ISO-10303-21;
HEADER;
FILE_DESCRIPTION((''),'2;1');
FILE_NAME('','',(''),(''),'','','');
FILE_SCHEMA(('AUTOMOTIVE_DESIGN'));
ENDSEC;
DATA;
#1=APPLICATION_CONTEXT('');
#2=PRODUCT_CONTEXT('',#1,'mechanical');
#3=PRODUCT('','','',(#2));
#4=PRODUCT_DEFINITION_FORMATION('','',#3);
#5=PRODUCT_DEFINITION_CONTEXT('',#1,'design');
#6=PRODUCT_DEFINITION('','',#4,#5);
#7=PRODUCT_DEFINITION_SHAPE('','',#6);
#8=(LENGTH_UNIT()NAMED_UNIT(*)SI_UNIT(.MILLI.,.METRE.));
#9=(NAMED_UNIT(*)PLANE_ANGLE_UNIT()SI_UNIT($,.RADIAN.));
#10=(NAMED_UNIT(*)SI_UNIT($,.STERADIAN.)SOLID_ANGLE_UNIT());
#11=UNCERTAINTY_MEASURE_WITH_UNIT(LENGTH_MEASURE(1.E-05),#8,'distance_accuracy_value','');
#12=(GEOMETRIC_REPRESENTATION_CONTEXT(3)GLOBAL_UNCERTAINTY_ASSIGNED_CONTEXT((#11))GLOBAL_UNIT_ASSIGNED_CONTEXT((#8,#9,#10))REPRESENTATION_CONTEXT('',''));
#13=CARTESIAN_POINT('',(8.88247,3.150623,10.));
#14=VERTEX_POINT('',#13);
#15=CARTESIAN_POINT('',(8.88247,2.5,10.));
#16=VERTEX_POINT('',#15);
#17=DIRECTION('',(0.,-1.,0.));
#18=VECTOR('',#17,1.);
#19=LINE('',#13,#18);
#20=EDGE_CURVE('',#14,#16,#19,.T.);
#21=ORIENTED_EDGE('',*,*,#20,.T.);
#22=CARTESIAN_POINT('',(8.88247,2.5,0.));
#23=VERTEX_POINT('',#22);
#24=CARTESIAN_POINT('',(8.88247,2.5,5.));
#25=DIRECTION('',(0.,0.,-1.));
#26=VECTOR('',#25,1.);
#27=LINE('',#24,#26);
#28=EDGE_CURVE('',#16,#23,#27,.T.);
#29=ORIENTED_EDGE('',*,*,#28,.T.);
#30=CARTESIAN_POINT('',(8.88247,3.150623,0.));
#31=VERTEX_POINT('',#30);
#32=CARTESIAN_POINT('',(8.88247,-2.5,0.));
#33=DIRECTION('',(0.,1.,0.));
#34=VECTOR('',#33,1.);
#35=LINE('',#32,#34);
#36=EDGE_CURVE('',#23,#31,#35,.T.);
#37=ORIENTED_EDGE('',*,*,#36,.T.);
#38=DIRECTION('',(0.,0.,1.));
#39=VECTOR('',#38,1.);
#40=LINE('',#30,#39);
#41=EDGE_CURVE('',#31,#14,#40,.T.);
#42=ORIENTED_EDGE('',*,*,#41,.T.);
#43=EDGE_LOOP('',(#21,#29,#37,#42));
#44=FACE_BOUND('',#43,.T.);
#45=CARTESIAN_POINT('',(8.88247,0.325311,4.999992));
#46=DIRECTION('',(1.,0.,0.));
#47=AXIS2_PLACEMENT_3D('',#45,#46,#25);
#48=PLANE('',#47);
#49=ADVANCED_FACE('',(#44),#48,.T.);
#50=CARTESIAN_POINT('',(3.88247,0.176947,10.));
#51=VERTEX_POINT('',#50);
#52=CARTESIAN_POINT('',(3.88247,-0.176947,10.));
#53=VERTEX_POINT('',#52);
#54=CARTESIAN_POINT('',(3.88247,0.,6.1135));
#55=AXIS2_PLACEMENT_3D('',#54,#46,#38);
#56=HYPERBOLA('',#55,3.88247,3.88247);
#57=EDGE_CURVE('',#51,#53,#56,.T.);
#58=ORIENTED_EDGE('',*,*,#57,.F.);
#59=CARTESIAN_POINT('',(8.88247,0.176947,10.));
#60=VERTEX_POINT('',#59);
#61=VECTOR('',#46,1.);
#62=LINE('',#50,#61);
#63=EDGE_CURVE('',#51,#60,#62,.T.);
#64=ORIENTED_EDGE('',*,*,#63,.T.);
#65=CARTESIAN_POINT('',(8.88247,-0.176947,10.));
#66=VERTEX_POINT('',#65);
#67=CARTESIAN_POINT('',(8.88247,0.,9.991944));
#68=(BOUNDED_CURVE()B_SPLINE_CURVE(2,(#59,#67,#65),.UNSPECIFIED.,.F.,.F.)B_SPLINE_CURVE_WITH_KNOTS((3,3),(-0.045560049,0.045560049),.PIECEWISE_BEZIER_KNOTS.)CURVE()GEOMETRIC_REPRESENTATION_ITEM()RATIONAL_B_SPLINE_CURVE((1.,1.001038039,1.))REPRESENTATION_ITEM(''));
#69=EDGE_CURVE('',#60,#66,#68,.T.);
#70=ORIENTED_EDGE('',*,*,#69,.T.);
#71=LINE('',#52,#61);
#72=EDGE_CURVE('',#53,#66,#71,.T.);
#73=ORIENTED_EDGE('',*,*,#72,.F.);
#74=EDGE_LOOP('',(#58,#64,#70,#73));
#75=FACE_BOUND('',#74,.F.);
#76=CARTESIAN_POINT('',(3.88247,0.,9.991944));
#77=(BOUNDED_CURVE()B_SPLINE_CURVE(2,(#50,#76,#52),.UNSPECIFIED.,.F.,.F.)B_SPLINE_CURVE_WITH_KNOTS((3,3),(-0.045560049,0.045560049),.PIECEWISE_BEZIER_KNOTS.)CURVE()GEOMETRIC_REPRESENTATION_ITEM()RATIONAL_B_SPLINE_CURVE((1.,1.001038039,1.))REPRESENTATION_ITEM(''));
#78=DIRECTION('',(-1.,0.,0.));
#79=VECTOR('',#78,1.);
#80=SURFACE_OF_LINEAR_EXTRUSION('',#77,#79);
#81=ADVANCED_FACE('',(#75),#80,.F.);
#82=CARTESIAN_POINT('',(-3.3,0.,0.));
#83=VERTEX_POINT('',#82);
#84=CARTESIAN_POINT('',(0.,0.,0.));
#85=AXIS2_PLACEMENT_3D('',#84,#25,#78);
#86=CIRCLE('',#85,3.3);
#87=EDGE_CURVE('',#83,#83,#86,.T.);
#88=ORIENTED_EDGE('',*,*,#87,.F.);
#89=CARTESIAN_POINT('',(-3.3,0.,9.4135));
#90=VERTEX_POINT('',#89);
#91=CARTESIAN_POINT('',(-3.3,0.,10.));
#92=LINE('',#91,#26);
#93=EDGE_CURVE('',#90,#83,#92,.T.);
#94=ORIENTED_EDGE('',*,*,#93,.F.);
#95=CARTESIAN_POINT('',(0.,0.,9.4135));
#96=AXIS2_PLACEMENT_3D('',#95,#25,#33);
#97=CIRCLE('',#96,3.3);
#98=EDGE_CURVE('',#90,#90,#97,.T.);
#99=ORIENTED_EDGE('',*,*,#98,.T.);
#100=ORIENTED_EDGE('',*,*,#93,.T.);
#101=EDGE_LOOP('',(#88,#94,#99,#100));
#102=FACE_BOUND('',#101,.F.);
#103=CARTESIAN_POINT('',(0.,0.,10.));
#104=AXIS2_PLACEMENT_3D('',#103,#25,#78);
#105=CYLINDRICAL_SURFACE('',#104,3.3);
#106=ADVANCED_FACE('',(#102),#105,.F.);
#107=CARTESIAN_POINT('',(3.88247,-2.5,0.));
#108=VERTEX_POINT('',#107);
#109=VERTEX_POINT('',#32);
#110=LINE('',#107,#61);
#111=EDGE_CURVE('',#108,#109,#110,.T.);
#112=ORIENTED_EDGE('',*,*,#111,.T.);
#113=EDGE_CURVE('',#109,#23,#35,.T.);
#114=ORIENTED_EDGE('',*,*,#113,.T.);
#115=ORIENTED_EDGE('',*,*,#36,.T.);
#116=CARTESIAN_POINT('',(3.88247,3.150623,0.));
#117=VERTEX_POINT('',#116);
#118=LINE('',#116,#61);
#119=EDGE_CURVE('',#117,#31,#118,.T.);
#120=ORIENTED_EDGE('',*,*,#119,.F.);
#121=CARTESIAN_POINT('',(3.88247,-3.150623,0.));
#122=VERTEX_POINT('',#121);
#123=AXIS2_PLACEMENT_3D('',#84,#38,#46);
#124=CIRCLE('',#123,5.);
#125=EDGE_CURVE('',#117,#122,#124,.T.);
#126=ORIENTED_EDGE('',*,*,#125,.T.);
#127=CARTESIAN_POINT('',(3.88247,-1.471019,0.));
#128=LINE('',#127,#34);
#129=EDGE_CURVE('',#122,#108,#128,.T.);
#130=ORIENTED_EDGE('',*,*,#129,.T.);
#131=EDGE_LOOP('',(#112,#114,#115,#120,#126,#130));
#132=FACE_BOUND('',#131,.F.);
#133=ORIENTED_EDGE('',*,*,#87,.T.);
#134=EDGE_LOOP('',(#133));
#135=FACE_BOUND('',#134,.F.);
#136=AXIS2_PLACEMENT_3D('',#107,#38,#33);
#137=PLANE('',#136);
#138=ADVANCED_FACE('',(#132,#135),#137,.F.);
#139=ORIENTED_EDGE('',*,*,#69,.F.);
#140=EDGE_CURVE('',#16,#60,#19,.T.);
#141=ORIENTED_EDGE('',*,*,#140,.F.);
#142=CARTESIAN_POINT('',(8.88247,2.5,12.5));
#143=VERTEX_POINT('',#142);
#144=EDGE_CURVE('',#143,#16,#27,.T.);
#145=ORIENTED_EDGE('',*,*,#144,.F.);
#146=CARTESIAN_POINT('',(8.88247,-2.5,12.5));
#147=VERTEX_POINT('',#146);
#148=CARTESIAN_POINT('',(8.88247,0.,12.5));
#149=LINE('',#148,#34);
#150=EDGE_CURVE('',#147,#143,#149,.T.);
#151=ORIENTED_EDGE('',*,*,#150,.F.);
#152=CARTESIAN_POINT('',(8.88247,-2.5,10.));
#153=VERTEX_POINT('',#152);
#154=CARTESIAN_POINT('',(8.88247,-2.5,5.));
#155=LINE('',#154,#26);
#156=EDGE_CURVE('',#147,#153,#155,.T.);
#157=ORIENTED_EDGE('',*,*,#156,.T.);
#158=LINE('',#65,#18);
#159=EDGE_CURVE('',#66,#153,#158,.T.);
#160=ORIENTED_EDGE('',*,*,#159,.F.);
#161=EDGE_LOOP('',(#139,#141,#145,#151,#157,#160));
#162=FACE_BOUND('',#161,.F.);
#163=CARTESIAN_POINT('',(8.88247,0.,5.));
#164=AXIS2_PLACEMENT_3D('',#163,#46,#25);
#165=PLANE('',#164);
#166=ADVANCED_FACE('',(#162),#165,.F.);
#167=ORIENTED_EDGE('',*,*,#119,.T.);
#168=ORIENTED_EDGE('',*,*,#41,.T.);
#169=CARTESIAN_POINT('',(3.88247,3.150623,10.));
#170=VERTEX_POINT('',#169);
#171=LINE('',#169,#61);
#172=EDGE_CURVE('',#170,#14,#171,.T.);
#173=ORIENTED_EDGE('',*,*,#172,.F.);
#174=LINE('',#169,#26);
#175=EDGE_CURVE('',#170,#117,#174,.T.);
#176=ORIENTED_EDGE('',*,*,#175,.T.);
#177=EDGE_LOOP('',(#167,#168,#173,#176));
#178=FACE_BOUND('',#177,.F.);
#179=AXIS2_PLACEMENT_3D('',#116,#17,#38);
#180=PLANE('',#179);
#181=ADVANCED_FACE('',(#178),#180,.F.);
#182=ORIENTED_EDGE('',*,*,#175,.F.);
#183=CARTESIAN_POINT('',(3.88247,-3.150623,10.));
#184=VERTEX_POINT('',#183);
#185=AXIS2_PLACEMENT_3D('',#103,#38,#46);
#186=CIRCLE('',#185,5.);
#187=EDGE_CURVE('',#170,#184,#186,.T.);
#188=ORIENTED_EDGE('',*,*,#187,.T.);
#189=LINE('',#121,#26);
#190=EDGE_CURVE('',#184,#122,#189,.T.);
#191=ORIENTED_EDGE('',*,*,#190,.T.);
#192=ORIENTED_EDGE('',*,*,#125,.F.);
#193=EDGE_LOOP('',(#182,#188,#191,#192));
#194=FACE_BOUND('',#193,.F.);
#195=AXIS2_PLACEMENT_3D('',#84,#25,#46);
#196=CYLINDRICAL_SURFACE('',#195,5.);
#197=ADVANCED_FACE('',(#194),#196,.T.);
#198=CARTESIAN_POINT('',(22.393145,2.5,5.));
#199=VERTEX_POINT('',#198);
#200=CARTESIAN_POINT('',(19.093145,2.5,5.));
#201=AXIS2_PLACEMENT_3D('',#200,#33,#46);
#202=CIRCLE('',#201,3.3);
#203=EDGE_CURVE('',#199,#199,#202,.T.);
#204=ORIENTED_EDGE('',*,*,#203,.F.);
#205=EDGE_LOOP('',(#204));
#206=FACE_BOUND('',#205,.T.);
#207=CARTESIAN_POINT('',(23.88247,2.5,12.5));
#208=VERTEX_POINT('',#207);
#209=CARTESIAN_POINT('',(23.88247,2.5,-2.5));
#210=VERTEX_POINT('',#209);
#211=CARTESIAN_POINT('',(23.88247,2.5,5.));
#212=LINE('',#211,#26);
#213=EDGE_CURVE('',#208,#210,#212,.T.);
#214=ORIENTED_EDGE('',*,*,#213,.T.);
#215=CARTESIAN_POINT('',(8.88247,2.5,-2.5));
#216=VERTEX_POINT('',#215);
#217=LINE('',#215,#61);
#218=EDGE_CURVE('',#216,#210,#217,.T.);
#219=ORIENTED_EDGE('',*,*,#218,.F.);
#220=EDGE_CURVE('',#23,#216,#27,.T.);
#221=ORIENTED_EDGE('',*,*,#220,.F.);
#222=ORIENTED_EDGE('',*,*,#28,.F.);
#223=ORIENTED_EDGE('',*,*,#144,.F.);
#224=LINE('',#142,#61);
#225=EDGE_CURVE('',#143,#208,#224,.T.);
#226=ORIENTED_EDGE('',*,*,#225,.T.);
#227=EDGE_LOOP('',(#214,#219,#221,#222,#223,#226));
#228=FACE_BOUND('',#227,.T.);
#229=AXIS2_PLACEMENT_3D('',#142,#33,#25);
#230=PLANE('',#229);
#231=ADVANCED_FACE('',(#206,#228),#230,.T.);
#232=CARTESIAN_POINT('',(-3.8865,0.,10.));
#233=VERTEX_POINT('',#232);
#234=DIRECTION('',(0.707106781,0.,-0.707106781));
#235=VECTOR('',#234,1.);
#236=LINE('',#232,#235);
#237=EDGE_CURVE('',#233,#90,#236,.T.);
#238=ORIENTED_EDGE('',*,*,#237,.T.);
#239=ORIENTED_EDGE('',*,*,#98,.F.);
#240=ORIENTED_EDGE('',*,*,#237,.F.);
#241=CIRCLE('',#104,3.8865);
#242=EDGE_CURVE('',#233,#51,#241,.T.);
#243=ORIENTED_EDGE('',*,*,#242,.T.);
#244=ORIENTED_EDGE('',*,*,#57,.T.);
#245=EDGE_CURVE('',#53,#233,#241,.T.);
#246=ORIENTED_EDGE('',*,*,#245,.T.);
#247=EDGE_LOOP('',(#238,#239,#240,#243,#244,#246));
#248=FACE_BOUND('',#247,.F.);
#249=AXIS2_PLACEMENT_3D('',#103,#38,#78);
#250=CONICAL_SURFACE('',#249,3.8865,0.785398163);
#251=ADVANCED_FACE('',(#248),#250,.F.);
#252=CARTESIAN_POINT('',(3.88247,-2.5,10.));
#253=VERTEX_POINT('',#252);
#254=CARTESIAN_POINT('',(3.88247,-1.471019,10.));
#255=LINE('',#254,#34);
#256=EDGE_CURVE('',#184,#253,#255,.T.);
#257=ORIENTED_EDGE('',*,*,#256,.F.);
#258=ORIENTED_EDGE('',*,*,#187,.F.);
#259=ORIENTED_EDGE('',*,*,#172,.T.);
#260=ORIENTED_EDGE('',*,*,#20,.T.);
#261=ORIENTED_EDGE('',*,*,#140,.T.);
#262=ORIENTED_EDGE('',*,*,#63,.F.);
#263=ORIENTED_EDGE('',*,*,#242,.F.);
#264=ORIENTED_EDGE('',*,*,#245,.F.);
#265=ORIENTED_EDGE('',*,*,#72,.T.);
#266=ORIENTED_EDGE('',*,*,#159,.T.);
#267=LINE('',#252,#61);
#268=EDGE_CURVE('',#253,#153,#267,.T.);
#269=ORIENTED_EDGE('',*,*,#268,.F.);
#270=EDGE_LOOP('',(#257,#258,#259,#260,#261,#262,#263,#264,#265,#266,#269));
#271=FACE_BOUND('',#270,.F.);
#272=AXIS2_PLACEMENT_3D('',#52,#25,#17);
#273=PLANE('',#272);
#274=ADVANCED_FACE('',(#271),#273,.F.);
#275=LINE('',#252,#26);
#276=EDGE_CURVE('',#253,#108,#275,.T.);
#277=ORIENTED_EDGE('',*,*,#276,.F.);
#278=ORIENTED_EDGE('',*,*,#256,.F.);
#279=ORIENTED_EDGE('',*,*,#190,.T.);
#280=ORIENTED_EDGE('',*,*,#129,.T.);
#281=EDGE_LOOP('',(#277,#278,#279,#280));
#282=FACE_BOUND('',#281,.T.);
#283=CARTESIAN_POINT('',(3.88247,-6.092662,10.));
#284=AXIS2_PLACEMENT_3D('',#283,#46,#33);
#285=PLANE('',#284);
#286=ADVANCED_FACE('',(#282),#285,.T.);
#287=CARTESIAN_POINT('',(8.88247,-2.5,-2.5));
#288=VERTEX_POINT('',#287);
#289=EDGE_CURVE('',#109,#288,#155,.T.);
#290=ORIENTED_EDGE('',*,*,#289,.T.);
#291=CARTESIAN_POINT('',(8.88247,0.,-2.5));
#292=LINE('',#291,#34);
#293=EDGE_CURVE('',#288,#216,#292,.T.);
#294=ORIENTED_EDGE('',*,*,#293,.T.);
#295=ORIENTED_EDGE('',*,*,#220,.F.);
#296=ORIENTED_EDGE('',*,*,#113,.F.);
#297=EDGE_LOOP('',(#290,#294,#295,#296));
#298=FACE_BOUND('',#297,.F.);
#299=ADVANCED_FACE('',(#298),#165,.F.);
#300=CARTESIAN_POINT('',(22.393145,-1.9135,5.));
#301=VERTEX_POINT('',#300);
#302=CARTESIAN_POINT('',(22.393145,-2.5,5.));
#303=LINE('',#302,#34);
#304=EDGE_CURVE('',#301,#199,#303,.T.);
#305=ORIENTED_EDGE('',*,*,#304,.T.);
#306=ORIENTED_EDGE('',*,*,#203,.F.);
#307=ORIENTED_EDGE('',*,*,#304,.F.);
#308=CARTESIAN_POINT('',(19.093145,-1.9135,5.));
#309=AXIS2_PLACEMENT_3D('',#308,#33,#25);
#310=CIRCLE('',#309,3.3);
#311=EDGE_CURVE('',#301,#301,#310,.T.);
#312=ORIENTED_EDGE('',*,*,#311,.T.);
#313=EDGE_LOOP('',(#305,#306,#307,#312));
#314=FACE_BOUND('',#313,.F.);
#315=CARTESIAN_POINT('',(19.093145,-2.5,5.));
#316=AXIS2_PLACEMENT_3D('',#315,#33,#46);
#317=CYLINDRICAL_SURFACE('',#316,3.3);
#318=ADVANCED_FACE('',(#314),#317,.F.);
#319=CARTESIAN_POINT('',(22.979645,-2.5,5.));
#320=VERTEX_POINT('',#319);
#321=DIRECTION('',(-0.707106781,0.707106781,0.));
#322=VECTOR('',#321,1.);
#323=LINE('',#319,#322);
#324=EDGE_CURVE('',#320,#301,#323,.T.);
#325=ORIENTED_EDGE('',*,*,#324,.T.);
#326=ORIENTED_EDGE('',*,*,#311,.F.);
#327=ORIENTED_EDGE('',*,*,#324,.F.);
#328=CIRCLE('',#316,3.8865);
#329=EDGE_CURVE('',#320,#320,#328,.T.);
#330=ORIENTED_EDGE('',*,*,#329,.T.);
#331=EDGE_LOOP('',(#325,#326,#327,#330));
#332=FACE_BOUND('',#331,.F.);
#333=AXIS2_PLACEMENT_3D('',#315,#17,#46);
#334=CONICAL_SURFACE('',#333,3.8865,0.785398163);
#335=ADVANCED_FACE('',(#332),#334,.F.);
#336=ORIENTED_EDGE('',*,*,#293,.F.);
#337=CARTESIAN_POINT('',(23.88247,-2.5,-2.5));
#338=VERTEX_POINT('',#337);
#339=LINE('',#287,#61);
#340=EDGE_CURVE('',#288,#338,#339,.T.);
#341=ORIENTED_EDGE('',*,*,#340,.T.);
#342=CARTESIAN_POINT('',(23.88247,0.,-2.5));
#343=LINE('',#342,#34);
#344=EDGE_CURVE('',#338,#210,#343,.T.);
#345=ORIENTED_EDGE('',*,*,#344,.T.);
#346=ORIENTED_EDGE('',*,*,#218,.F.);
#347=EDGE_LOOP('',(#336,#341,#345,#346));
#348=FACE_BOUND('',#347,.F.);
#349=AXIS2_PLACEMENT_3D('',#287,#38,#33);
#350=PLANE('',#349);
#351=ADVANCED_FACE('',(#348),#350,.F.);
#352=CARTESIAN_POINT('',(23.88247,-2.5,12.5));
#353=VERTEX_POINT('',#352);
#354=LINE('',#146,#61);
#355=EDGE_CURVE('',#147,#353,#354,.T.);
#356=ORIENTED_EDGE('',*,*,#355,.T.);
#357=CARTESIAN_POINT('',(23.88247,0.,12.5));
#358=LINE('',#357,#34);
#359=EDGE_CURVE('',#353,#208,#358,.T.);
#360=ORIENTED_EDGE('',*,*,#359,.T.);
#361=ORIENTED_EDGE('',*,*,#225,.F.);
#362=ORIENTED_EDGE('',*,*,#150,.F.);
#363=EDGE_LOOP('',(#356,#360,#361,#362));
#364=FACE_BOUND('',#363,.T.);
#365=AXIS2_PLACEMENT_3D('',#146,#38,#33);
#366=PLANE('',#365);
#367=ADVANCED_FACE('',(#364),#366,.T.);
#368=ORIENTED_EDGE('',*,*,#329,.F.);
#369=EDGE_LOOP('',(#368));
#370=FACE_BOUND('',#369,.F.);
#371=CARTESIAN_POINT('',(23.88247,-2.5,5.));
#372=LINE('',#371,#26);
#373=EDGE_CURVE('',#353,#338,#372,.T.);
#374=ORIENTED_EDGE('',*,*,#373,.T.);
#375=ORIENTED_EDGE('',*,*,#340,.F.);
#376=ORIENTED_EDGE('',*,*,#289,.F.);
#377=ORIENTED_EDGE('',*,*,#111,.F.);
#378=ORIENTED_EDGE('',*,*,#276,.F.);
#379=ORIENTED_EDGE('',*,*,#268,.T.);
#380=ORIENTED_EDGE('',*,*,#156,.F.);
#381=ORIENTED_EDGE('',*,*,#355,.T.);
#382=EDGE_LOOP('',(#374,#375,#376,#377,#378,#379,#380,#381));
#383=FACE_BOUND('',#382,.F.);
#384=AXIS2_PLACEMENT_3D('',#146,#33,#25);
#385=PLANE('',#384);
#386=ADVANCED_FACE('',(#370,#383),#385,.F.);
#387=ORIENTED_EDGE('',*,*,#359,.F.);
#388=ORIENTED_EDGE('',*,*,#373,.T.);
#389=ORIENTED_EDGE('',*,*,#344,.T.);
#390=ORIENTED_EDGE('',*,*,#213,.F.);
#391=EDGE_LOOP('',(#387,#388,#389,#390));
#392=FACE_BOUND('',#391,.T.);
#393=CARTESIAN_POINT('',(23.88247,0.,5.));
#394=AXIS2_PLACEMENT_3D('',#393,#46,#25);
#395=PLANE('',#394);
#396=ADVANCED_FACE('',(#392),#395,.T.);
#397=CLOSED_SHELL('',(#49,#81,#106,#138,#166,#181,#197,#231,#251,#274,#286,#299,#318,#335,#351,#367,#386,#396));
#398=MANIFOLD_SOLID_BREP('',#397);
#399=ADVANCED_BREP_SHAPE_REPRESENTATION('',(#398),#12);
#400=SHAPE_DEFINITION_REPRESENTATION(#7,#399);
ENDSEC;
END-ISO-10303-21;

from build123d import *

# Parameters (mm, degrees)
SKETCH_1_R                      = 5
EXTRUDE_1_DEPTH                 = 10
HOLE_WIZARD_G1_16_1_D           = 6.6
HOLE_WIZARD_G1_16_1_DEPTH       = 50
HOLE_WIZARD_G1_16_1_CSINK_D     = 7.773
HOLE_WIZARD_G1_16_1_CSINK_ANGLE = 90
HOLE_WIZARD_G1_16_1_TIP         = 1.982840043
SKETCH_4_W                      = 1.792487356
SKETCH_4_H                      = 9.243284927
CUT_EXTRUDE_1_DEPTH             = 10
EXTRUDE_2_DEPTH                 = 5
SKETCH_6_W                      = 15
SKETCH_6_H                      = 5
EXTRUDE_3_DEPTH                 = 15
HOLE_WIZARD_G1_16_2_D           = 6.6
HOLE_WIZARD_G1_16_2_DEPTH       = 50
HOLE_WIZARD_G1_16_2_CSINK_D     = 7.773
HOLE_WIZARD_G1_16_2_CSINK_ANGLE = 90
HOLE_WIZARD_G1_16_2_TIP         = 1.982840043


with BuildPart() as part:
    # 草图1 → 凸台-拉伸1 (new body)
    with BuildSketch(Plane.XY):
        Circle(SKETCH_1_R)
    extrude(amount=EXTRUDE_1_DEPTH)

    # G1/16 螺纹孔1
    with Locations(Plane.XY.offset(10)):
        with Locations((0, 0)):
            CounterSinkHole(HOLE_WIZARD_G1_16_1_D / 2, HOLE_WIZARD_G1_16_1_CSINK_D / 2, depth=HOLE_WIZARD_G1_16_1_DEPTH, counter_sink_angle=HOLE_WIZARD_G1_16_1_CSINK_ANGLE)
            with Locations((0, 0, -(HOLE_WIZARD_G1_16_1_DEPTH + HOLE_WIZARD_G1_16_1_TIP / 2))):  # 118° drill point
                Cone(0, HOLE_WIZARD_G1_16_1_D / 2, HOLE_WIZARD_G1_16_1_TIP, mode=Mode.SUBTRACT)

    # 草图4 → 切除-拉伸1 (cut)
    with BuildSketch(Plane.XY.offset(10)):
        with Locations((4.778713525, -1.471019051)):
            Rectangle(SKETCH_4_W, SKETCH_4_H)
    extrude(amount=-CUT_EXTRUDE_1_DEPTH, mode=Mode.SUBTRACT)

    # 草图5 → 凸台-拉伸2 (add)
    with BuildSketch(Plane(origin=(3.882469847, 0, 0), x_dir=(0, 0, -1), z_dir=(1, 0, 0))):
        with BuildLine():
            Line((-10, -0.176946718), (-10, -2.5))
            Line((-10, -2.5), (0, -2.5))
            Line((0, -2.5), (0, 3.150623413))
            Line((0, 3.150623413), (-10, 3.150623413))
            Line((-10, 3.150623413), (-10, 0.176946718))
            add(Edge.make_bspline(
                [(-10, 0.176946718), (-9.991943872, 0), (-10, -0.176946718)],
                knots=[-0.045560049, -0.045560049, -0.045560049, 0.045560049, 0.045560049, 0.045560049], degree=2, weights=[1, 1.001038039, 1]))
        make_face()
    extrude(amount=EXTRUDE_2_DEPTH)

    # 草图6 → 凸台-拉伸3 (add)
    with BuildSketch(Plane(origin=(8.882469847, 0, 0), x_dir=(0, 0, -1), z_dir=(1, 0, 0))):
        with Locations((-5, 0)):
            Rectangle(SKETCH_6_W, SKETCH_6_H)
    extrude(amount=EXTRUDE_3_DEPTH)

    # G1/16 螺纹孔2
    with Locations(Plane(origin=(0, -2.5, 0), x_dir=(-1, 0, 0), z_dir=(0, -1, 0))):
        with Locations((-19.093145461, -5)):
            CounterSinkHole(HOLE_WIZARD_G1_16_2_D / 2, HOLE_WIZARD_G1_16_2_CSINK_D / 2, depth=HOLE_WIZARD_G1_16_2_DEPTH, counter_sink_angle=HOLE_WIZARD_G1_16_2_CSINK_ANGLE)
            with Locations((0, 0, -(HOLE_WIZARD_G1_16_2_DEPTH + HOLE_WIZARD_G1_16_2_TIP / 2))):  # 118° drill point
                Cone(0, HOLE_WIZARD_G1_16_2_D / 2, HOLE_WIZARD_G1_16_2_TIP, mode=Mode.SUBTRACT)


solid = part.part
